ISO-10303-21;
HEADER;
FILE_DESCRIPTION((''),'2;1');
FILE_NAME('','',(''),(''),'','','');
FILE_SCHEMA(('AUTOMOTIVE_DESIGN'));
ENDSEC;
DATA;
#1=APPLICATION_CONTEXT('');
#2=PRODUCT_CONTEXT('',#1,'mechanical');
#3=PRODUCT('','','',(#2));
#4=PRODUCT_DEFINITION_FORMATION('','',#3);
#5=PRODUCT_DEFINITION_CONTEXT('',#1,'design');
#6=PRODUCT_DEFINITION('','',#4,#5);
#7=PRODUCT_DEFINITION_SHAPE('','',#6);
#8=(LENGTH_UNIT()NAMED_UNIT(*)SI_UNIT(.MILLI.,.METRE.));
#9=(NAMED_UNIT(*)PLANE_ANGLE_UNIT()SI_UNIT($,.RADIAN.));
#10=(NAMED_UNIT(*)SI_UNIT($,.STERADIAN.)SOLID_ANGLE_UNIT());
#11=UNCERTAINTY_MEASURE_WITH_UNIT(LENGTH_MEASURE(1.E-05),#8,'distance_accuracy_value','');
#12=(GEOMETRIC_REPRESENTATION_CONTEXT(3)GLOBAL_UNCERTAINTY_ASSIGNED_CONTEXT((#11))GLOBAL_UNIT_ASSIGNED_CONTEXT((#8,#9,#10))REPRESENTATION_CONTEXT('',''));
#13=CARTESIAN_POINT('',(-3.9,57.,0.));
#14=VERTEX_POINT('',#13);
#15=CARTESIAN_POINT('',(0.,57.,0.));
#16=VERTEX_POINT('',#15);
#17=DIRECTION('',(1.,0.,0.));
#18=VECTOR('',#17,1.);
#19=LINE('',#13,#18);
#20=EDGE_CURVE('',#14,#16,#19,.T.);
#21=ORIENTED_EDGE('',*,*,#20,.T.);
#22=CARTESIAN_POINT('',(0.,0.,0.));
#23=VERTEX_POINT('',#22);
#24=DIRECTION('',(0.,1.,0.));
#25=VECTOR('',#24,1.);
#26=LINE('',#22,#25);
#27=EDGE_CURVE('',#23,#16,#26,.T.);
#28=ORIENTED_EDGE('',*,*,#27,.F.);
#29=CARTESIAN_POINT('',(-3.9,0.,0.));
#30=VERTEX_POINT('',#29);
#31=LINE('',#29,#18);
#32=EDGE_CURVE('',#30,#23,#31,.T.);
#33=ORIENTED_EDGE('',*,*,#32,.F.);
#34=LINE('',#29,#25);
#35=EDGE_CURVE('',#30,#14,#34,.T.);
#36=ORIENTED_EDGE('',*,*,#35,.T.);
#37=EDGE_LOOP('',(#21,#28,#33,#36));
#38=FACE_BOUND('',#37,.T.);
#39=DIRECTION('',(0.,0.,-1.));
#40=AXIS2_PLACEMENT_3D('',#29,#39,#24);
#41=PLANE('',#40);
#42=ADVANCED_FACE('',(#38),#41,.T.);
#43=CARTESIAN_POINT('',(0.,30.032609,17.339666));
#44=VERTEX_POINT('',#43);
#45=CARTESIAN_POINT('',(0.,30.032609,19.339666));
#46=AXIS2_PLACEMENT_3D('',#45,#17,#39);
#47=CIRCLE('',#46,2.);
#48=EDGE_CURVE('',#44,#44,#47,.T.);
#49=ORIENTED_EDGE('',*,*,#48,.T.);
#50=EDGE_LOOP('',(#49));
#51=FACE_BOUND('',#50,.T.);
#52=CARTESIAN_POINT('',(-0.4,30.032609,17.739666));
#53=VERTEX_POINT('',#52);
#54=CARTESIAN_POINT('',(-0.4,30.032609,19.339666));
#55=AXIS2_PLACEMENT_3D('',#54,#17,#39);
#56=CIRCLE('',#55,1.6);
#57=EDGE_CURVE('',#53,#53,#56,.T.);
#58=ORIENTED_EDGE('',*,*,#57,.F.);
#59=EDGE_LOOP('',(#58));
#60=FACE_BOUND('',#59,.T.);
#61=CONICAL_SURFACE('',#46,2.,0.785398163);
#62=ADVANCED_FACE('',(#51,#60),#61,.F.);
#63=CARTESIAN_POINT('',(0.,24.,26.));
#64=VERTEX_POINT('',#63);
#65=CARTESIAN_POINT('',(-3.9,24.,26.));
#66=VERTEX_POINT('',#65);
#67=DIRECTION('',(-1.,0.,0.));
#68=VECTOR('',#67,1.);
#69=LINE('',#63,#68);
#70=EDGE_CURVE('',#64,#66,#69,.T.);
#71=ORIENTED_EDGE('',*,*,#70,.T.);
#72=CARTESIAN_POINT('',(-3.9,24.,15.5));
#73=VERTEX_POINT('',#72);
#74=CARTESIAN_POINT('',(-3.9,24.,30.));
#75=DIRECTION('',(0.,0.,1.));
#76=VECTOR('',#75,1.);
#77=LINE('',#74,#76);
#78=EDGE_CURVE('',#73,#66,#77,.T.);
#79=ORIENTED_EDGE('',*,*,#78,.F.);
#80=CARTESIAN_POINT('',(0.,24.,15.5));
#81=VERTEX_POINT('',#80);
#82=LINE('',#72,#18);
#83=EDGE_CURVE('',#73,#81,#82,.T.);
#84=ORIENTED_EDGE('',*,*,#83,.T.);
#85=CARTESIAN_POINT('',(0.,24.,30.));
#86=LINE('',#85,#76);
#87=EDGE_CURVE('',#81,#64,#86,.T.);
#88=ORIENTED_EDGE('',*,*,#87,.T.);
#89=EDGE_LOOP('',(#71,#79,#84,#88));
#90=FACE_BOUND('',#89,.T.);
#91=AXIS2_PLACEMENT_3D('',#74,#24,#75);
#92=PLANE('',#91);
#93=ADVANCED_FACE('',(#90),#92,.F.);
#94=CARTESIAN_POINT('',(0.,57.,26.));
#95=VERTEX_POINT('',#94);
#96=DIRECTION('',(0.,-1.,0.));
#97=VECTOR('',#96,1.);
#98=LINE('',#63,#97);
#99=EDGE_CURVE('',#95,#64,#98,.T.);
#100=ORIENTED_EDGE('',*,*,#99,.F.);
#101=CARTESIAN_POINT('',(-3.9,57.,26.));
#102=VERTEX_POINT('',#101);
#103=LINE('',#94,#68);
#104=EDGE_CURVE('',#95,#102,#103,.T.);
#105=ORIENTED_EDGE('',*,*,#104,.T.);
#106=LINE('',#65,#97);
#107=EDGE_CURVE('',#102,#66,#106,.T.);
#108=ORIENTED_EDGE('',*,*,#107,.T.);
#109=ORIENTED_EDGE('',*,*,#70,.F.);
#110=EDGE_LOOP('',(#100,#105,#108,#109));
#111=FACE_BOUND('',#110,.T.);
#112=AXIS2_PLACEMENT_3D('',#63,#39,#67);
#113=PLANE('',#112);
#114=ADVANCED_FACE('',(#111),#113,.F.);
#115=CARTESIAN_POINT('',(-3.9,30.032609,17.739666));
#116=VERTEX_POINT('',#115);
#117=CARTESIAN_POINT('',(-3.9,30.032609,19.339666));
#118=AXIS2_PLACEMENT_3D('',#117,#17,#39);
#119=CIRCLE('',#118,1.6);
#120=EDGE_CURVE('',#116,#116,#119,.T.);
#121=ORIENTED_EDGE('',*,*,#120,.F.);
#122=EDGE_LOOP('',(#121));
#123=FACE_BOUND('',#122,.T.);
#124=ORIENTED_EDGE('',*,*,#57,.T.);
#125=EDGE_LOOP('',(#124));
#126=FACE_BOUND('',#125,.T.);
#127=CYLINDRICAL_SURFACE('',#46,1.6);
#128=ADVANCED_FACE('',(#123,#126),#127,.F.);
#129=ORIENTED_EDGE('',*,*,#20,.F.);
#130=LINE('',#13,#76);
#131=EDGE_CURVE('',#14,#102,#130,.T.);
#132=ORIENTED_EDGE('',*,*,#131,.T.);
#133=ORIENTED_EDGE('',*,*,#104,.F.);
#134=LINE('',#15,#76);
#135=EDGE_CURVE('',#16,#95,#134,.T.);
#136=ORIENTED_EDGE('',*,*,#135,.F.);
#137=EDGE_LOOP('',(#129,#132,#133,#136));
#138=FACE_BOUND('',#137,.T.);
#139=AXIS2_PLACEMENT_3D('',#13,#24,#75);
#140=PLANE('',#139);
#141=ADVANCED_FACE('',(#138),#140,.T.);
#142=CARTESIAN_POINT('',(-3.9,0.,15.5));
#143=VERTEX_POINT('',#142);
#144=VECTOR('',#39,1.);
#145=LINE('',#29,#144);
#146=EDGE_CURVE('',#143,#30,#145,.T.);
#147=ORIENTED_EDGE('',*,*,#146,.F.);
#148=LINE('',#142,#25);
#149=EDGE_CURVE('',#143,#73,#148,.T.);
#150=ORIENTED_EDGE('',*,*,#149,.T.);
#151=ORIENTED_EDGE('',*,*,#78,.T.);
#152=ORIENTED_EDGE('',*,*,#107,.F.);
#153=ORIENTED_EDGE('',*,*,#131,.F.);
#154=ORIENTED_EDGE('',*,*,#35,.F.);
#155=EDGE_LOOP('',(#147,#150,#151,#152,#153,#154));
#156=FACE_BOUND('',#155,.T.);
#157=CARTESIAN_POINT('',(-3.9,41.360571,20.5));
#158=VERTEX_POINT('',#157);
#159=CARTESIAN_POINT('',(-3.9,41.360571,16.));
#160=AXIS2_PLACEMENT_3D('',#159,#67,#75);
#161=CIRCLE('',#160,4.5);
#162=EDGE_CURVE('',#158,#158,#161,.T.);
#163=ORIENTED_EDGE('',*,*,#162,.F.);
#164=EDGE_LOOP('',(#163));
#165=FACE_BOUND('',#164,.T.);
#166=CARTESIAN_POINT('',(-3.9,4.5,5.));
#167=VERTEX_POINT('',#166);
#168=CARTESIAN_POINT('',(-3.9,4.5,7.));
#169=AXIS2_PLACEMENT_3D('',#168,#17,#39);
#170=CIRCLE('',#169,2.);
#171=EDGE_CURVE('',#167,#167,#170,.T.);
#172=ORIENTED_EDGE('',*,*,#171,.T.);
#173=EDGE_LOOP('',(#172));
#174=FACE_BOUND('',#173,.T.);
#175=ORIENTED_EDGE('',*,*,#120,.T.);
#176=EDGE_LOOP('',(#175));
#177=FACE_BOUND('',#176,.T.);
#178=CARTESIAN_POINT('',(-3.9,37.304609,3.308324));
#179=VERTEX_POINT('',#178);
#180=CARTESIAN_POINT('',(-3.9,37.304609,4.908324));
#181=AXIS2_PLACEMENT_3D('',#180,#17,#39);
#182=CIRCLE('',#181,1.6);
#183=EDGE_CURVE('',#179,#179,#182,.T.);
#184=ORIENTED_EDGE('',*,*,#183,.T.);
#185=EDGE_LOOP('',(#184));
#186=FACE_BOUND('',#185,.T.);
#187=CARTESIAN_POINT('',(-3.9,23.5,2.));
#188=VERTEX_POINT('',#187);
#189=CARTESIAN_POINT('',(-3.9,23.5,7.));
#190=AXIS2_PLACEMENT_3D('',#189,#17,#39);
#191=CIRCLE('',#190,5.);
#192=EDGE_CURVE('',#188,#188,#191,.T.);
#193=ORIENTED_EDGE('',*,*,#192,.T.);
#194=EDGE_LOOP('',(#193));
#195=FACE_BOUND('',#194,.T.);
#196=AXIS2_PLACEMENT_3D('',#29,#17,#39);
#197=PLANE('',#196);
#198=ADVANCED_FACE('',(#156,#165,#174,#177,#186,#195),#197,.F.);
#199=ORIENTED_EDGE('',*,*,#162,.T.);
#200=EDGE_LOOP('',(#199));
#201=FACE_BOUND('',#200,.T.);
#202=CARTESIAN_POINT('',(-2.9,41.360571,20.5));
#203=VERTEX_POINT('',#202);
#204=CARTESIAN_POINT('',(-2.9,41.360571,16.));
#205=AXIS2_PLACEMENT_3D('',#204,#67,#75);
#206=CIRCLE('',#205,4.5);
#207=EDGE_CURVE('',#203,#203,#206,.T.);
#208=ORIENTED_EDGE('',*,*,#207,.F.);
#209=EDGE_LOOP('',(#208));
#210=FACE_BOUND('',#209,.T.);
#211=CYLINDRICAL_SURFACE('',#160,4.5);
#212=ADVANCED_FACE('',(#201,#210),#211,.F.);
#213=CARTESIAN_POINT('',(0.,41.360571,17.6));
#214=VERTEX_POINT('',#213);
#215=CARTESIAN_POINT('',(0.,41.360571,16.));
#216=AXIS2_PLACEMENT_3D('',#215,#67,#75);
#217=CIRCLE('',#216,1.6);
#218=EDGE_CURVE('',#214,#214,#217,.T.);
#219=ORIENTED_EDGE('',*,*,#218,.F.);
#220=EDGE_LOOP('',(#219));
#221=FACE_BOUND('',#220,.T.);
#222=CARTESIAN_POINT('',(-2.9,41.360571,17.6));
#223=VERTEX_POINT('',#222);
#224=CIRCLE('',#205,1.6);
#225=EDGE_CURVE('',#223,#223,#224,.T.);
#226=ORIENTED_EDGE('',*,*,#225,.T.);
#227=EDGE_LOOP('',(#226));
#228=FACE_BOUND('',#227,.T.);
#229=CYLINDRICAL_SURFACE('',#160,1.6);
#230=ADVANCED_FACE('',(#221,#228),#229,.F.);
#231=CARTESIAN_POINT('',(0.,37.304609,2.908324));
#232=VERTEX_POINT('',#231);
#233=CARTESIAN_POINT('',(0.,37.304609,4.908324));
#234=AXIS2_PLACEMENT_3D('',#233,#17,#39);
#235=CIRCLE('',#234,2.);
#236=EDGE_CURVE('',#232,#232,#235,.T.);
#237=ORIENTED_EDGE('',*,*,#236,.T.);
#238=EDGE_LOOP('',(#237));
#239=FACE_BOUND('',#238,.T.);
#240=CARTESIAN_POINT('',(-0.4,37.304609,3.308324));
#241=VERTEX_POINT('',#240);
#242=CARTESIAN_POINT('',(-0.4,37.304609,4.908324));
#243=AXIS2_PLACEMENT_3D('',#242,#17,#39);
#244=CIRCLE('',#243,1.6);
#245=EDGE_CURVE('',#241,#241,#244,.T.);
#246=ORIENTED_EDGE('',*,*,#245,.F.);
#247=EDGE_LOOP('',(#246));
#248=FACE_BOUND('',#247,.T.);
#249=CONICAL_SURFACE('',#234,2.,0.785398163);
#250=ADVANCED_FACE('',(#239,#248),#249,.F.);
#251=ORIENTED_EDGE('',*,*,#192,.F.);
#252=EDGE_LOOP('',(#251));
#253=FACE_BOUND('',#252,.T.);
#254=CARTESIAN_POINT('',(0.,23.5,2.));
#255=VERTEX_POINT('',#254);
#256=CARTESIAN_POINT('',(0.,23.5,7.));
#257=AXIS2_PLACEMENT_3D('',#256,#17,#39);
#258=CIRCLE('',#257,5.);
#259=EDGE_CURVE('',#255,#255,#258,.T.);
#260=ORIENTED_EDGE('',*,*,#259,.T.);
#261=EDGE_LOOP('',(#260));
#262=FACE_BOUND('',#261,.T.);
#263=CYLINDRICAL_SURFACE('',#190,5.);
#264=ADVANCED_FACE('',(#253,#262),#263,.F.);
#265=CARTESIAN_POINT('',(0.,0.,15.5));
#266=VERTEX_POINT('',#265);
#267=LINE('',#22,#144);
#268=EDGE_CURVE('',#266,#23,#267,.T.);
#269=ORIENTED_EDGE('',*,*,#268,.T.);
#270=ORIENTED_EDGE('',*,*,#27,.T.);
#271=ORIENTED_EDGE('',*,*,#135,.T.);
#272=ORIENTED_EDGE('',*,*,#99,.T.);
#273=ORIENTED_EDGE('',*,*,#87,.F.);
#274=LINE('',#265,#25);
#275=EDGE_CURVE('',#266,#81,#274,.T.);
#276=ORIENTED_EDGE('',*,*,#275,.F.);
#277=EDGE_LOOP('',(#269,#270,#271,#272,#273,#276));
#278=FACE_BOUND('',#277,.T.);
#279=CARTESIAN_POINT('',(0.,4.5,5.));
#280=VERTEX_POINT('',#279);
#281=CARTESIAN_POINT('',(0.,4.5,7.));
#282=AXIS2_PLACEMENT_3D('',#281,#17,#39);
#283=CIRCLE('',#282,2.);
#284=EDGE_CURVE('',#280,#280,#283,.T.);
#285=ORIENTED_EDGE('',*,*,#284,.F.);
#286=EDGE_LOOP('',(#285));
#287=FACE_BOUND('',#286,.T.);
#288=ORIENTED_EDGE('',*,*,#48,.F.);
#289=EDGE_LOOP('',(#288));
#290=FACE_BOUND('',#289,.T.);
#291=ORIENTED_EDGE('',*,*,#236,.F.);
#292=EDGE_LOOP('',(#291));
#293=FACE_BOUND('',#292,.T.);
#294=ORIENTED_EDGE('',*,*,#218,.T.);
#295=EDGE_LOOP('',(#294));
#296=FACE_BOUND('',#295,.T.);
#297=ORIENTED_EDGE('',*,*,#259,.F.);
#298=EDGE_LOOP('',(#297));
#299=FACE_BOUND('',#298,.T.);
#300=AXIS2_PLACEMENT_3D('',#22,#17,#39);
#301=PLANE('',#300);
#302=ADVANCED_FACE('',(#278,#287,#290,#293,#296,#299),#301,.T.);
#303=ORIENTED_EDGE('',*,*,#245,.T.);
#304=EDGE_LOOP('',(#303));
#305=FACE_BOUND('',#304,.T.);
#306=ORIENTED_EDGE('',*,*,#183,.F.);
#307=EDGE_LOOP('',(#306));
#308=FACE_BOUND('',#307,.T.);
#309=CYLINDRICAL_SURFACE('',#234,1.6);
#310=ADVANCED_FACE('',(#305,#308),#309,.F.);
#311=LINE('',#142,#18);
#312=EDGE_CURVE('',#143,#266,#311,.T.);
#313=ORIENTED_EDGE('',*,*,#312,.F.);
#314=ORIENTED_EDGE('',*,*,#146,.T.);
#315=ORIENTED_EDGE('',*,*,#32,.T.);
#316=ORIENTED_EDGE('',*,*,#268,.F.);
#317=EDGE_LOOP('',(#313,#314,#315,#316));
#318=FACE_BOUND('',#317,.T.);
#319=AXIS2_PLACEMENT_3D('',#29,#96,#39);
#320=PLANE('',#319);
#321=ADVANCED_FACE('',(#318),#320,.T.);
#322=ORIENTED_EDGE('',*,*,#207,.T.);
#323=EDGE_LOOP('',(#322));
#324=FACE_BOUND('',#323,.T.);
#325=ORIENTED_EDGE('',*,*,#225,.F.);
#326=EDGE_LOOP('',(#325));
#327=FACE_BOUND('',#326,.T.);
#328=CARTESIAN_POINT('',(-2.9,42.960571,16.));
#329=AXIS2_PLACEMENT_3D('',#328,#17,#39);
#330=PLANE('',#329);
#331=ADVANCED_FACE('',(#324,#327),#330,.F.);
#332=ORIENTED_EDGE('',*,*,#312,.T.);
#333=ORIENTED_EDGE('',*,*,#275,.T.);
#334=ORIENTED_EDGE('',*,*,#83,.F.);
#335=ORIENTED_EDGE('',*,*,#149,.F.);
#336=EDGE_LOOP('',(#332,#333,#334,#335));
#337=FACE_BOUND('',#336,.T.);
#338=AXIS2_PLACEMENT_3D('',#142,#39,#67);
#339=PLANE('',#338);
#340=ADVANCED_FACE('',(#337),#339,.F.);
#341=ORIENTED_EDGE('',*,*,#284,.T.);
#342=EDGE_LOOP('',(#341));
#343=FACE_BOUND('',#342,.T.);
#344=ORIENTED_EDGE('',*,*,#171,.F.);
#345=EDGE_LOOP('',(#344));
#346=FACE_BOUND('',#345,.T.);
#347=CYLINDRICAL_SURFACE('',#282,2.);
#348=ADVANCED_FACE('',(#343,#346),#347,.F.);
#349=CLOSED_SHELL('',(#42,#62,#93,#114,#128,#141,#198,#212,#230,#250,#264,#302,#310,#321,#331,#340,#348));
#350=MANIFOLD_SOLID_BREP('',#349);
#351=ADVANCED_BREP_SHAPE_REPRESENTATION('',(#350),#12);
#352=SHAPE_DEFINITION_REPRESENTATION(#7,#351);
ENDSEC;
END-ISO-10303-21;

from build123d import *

# Parameters (mm, degrees)
SKETCH1_W                                        = 30
SKETCH1_H                                        = 57
BOSS_EXTRUDE1_DEPTH                              = 3.9
SKETCH2_R                                        = 5
CUT_EXTRUDE1_DEPTH                               = 65.530690373
F_4_0_4_DIAMETER_HOLE1_D                         = 4
SKETCH12_W                                       = 14.5
SKETCH12_H                                       = 24
CUT_EXTRUDE2_DEPTH                               = 65.530690373
CBORE_FOR_M3_PAN_HEAD_MACHINE_SCREW2_D           = 3.2
CBORE_FOR_M3_PAN_HEAD_MACHINE_SCREW2_CBORE_D     = 9
CBORE_FOR_M3_PAN_HEAD_MACHINE_SCREW2_CBORE_DEPTH = 1
CSK_FOR_M3_FLAT_HEAD_MACHINE_SCREW1_D            = 3.2
CSK_FOR_M3_FLAT_HEAD_MACHINE_SCREW1_CSINK_D      = 4
CSK_FOR_M3_FLAT_HEAD_MACHINE_SCREW1_CSINK_ANGLE  = 90
SKETCH19_W                                       = 4
SKETCH19_H                                       = 33
CUT_EXTRUDE3_DEPTH                               = 65.530690373


with BuildPart() as part:
    # Sketch1 → Boss-Extrude1 (new body)
    with BuildSketch(Plane(origin=(0, 0, 0), x_dir=(0, 0, -1), z_dir=(1, 0, 0))):
        with Locations((-15, 28.5)):
            Rectangle(SKETCH1_W, SKETCH1_H)
    extrude(amount=-BOSS_EXTRUDE1_DEPTH)

    # Sketch2 → Cut-Extrude1 (cut, through all)
    with BuildSketch(Plane(origin=(0, 0, 0), x_dir=(0, 0, -1), z_dir=(1, 0, 0))):
        with Locations((-7, 23.5)):
            Circle(SKETCH2_R)
    extrude(amount=-CUT_EXTRUDE1_DEPTH, mode=Mode.SUBTRACT)

    # Ø4.0 (4) Diameter Hole1 (through all)
    with Locations(Plane(origin=(0, 4.5, 7), x_dir=(0, 0, 1), z_dir=(1, 0, 0))):
        with Locations((0, 0)):
            Hole(F_4_0_4_DIAMETER_HOLE1_D / 2)

    # Sketch12 → Cut-Extrude2 (cut, through all)
    with BuildSketch(Plane(origin=(0, 0, 0), x_dir=(0, 0, -1), z_dir=(1, 0, 0))):
        with Locations((-22.75, 12)):
            Rectangle(SKETCH12_W, SKETCH12_H)
    extrude(amount=-CUT_EXTRUDE2_DEPTH, mode=Mode.SUBTRACT)

    # CBORE for M3 Pan Head Machine Screw2 (through all)
    with Locations(Plane(origin=(-3.9, 41.360571099, 16), x_dir=(0, 0, -1), z_dir=(-1, 0, 0))):
        with Locations((0, 0)):
            CounterBoreHole(CBORE_FOR_M3_PAN_HEAD_MACHINE_SCREW2_D / 2, CBORE_FOR_M3_PAN_HEAD_MACHINE_SCREW2_CBORE_D / 2, CBORE_FOR_M3_PAN_HEAD_MACHINE_SCREW2_CBORE_DEPTH)

    # CSK for M3 Flat Head Machine Screw1 (through all)
    with Locations(Plane(origin=(0, 30.032608687, 19.33966579), x_dir=(0, 0, 1), z_dir=(1, 0, 0))):
        with Locations((0, 0), (-14.431341448, -7.272)):
            CounterSinkHole(CSK_FOR_M3_FLAT_HEAD_MACHINE_SCREW1_D / 2, CSK_FOR_M3_FLAT_HEAD_MACHINE_SCREW1_CSINK_D / 2, counter_sink_angle=CSK_FOR_M3_FLAT_HEAD_MACHINE_SCREW1_CSINK_ANGLE)

    # Sketch19 → Cut-Extrude3 (cut, through all)
    with BuildSketch(Plane.ZY.offset(3.9)):
        with Locations((28, 40.5)):
            Rectangle(SKETCH19_W, SKETCH19_H)
    extrude(amount=-CUT_EXTRUDE3_DEPTH, mode=Mode.SUBTRACT)


solid = part.part
